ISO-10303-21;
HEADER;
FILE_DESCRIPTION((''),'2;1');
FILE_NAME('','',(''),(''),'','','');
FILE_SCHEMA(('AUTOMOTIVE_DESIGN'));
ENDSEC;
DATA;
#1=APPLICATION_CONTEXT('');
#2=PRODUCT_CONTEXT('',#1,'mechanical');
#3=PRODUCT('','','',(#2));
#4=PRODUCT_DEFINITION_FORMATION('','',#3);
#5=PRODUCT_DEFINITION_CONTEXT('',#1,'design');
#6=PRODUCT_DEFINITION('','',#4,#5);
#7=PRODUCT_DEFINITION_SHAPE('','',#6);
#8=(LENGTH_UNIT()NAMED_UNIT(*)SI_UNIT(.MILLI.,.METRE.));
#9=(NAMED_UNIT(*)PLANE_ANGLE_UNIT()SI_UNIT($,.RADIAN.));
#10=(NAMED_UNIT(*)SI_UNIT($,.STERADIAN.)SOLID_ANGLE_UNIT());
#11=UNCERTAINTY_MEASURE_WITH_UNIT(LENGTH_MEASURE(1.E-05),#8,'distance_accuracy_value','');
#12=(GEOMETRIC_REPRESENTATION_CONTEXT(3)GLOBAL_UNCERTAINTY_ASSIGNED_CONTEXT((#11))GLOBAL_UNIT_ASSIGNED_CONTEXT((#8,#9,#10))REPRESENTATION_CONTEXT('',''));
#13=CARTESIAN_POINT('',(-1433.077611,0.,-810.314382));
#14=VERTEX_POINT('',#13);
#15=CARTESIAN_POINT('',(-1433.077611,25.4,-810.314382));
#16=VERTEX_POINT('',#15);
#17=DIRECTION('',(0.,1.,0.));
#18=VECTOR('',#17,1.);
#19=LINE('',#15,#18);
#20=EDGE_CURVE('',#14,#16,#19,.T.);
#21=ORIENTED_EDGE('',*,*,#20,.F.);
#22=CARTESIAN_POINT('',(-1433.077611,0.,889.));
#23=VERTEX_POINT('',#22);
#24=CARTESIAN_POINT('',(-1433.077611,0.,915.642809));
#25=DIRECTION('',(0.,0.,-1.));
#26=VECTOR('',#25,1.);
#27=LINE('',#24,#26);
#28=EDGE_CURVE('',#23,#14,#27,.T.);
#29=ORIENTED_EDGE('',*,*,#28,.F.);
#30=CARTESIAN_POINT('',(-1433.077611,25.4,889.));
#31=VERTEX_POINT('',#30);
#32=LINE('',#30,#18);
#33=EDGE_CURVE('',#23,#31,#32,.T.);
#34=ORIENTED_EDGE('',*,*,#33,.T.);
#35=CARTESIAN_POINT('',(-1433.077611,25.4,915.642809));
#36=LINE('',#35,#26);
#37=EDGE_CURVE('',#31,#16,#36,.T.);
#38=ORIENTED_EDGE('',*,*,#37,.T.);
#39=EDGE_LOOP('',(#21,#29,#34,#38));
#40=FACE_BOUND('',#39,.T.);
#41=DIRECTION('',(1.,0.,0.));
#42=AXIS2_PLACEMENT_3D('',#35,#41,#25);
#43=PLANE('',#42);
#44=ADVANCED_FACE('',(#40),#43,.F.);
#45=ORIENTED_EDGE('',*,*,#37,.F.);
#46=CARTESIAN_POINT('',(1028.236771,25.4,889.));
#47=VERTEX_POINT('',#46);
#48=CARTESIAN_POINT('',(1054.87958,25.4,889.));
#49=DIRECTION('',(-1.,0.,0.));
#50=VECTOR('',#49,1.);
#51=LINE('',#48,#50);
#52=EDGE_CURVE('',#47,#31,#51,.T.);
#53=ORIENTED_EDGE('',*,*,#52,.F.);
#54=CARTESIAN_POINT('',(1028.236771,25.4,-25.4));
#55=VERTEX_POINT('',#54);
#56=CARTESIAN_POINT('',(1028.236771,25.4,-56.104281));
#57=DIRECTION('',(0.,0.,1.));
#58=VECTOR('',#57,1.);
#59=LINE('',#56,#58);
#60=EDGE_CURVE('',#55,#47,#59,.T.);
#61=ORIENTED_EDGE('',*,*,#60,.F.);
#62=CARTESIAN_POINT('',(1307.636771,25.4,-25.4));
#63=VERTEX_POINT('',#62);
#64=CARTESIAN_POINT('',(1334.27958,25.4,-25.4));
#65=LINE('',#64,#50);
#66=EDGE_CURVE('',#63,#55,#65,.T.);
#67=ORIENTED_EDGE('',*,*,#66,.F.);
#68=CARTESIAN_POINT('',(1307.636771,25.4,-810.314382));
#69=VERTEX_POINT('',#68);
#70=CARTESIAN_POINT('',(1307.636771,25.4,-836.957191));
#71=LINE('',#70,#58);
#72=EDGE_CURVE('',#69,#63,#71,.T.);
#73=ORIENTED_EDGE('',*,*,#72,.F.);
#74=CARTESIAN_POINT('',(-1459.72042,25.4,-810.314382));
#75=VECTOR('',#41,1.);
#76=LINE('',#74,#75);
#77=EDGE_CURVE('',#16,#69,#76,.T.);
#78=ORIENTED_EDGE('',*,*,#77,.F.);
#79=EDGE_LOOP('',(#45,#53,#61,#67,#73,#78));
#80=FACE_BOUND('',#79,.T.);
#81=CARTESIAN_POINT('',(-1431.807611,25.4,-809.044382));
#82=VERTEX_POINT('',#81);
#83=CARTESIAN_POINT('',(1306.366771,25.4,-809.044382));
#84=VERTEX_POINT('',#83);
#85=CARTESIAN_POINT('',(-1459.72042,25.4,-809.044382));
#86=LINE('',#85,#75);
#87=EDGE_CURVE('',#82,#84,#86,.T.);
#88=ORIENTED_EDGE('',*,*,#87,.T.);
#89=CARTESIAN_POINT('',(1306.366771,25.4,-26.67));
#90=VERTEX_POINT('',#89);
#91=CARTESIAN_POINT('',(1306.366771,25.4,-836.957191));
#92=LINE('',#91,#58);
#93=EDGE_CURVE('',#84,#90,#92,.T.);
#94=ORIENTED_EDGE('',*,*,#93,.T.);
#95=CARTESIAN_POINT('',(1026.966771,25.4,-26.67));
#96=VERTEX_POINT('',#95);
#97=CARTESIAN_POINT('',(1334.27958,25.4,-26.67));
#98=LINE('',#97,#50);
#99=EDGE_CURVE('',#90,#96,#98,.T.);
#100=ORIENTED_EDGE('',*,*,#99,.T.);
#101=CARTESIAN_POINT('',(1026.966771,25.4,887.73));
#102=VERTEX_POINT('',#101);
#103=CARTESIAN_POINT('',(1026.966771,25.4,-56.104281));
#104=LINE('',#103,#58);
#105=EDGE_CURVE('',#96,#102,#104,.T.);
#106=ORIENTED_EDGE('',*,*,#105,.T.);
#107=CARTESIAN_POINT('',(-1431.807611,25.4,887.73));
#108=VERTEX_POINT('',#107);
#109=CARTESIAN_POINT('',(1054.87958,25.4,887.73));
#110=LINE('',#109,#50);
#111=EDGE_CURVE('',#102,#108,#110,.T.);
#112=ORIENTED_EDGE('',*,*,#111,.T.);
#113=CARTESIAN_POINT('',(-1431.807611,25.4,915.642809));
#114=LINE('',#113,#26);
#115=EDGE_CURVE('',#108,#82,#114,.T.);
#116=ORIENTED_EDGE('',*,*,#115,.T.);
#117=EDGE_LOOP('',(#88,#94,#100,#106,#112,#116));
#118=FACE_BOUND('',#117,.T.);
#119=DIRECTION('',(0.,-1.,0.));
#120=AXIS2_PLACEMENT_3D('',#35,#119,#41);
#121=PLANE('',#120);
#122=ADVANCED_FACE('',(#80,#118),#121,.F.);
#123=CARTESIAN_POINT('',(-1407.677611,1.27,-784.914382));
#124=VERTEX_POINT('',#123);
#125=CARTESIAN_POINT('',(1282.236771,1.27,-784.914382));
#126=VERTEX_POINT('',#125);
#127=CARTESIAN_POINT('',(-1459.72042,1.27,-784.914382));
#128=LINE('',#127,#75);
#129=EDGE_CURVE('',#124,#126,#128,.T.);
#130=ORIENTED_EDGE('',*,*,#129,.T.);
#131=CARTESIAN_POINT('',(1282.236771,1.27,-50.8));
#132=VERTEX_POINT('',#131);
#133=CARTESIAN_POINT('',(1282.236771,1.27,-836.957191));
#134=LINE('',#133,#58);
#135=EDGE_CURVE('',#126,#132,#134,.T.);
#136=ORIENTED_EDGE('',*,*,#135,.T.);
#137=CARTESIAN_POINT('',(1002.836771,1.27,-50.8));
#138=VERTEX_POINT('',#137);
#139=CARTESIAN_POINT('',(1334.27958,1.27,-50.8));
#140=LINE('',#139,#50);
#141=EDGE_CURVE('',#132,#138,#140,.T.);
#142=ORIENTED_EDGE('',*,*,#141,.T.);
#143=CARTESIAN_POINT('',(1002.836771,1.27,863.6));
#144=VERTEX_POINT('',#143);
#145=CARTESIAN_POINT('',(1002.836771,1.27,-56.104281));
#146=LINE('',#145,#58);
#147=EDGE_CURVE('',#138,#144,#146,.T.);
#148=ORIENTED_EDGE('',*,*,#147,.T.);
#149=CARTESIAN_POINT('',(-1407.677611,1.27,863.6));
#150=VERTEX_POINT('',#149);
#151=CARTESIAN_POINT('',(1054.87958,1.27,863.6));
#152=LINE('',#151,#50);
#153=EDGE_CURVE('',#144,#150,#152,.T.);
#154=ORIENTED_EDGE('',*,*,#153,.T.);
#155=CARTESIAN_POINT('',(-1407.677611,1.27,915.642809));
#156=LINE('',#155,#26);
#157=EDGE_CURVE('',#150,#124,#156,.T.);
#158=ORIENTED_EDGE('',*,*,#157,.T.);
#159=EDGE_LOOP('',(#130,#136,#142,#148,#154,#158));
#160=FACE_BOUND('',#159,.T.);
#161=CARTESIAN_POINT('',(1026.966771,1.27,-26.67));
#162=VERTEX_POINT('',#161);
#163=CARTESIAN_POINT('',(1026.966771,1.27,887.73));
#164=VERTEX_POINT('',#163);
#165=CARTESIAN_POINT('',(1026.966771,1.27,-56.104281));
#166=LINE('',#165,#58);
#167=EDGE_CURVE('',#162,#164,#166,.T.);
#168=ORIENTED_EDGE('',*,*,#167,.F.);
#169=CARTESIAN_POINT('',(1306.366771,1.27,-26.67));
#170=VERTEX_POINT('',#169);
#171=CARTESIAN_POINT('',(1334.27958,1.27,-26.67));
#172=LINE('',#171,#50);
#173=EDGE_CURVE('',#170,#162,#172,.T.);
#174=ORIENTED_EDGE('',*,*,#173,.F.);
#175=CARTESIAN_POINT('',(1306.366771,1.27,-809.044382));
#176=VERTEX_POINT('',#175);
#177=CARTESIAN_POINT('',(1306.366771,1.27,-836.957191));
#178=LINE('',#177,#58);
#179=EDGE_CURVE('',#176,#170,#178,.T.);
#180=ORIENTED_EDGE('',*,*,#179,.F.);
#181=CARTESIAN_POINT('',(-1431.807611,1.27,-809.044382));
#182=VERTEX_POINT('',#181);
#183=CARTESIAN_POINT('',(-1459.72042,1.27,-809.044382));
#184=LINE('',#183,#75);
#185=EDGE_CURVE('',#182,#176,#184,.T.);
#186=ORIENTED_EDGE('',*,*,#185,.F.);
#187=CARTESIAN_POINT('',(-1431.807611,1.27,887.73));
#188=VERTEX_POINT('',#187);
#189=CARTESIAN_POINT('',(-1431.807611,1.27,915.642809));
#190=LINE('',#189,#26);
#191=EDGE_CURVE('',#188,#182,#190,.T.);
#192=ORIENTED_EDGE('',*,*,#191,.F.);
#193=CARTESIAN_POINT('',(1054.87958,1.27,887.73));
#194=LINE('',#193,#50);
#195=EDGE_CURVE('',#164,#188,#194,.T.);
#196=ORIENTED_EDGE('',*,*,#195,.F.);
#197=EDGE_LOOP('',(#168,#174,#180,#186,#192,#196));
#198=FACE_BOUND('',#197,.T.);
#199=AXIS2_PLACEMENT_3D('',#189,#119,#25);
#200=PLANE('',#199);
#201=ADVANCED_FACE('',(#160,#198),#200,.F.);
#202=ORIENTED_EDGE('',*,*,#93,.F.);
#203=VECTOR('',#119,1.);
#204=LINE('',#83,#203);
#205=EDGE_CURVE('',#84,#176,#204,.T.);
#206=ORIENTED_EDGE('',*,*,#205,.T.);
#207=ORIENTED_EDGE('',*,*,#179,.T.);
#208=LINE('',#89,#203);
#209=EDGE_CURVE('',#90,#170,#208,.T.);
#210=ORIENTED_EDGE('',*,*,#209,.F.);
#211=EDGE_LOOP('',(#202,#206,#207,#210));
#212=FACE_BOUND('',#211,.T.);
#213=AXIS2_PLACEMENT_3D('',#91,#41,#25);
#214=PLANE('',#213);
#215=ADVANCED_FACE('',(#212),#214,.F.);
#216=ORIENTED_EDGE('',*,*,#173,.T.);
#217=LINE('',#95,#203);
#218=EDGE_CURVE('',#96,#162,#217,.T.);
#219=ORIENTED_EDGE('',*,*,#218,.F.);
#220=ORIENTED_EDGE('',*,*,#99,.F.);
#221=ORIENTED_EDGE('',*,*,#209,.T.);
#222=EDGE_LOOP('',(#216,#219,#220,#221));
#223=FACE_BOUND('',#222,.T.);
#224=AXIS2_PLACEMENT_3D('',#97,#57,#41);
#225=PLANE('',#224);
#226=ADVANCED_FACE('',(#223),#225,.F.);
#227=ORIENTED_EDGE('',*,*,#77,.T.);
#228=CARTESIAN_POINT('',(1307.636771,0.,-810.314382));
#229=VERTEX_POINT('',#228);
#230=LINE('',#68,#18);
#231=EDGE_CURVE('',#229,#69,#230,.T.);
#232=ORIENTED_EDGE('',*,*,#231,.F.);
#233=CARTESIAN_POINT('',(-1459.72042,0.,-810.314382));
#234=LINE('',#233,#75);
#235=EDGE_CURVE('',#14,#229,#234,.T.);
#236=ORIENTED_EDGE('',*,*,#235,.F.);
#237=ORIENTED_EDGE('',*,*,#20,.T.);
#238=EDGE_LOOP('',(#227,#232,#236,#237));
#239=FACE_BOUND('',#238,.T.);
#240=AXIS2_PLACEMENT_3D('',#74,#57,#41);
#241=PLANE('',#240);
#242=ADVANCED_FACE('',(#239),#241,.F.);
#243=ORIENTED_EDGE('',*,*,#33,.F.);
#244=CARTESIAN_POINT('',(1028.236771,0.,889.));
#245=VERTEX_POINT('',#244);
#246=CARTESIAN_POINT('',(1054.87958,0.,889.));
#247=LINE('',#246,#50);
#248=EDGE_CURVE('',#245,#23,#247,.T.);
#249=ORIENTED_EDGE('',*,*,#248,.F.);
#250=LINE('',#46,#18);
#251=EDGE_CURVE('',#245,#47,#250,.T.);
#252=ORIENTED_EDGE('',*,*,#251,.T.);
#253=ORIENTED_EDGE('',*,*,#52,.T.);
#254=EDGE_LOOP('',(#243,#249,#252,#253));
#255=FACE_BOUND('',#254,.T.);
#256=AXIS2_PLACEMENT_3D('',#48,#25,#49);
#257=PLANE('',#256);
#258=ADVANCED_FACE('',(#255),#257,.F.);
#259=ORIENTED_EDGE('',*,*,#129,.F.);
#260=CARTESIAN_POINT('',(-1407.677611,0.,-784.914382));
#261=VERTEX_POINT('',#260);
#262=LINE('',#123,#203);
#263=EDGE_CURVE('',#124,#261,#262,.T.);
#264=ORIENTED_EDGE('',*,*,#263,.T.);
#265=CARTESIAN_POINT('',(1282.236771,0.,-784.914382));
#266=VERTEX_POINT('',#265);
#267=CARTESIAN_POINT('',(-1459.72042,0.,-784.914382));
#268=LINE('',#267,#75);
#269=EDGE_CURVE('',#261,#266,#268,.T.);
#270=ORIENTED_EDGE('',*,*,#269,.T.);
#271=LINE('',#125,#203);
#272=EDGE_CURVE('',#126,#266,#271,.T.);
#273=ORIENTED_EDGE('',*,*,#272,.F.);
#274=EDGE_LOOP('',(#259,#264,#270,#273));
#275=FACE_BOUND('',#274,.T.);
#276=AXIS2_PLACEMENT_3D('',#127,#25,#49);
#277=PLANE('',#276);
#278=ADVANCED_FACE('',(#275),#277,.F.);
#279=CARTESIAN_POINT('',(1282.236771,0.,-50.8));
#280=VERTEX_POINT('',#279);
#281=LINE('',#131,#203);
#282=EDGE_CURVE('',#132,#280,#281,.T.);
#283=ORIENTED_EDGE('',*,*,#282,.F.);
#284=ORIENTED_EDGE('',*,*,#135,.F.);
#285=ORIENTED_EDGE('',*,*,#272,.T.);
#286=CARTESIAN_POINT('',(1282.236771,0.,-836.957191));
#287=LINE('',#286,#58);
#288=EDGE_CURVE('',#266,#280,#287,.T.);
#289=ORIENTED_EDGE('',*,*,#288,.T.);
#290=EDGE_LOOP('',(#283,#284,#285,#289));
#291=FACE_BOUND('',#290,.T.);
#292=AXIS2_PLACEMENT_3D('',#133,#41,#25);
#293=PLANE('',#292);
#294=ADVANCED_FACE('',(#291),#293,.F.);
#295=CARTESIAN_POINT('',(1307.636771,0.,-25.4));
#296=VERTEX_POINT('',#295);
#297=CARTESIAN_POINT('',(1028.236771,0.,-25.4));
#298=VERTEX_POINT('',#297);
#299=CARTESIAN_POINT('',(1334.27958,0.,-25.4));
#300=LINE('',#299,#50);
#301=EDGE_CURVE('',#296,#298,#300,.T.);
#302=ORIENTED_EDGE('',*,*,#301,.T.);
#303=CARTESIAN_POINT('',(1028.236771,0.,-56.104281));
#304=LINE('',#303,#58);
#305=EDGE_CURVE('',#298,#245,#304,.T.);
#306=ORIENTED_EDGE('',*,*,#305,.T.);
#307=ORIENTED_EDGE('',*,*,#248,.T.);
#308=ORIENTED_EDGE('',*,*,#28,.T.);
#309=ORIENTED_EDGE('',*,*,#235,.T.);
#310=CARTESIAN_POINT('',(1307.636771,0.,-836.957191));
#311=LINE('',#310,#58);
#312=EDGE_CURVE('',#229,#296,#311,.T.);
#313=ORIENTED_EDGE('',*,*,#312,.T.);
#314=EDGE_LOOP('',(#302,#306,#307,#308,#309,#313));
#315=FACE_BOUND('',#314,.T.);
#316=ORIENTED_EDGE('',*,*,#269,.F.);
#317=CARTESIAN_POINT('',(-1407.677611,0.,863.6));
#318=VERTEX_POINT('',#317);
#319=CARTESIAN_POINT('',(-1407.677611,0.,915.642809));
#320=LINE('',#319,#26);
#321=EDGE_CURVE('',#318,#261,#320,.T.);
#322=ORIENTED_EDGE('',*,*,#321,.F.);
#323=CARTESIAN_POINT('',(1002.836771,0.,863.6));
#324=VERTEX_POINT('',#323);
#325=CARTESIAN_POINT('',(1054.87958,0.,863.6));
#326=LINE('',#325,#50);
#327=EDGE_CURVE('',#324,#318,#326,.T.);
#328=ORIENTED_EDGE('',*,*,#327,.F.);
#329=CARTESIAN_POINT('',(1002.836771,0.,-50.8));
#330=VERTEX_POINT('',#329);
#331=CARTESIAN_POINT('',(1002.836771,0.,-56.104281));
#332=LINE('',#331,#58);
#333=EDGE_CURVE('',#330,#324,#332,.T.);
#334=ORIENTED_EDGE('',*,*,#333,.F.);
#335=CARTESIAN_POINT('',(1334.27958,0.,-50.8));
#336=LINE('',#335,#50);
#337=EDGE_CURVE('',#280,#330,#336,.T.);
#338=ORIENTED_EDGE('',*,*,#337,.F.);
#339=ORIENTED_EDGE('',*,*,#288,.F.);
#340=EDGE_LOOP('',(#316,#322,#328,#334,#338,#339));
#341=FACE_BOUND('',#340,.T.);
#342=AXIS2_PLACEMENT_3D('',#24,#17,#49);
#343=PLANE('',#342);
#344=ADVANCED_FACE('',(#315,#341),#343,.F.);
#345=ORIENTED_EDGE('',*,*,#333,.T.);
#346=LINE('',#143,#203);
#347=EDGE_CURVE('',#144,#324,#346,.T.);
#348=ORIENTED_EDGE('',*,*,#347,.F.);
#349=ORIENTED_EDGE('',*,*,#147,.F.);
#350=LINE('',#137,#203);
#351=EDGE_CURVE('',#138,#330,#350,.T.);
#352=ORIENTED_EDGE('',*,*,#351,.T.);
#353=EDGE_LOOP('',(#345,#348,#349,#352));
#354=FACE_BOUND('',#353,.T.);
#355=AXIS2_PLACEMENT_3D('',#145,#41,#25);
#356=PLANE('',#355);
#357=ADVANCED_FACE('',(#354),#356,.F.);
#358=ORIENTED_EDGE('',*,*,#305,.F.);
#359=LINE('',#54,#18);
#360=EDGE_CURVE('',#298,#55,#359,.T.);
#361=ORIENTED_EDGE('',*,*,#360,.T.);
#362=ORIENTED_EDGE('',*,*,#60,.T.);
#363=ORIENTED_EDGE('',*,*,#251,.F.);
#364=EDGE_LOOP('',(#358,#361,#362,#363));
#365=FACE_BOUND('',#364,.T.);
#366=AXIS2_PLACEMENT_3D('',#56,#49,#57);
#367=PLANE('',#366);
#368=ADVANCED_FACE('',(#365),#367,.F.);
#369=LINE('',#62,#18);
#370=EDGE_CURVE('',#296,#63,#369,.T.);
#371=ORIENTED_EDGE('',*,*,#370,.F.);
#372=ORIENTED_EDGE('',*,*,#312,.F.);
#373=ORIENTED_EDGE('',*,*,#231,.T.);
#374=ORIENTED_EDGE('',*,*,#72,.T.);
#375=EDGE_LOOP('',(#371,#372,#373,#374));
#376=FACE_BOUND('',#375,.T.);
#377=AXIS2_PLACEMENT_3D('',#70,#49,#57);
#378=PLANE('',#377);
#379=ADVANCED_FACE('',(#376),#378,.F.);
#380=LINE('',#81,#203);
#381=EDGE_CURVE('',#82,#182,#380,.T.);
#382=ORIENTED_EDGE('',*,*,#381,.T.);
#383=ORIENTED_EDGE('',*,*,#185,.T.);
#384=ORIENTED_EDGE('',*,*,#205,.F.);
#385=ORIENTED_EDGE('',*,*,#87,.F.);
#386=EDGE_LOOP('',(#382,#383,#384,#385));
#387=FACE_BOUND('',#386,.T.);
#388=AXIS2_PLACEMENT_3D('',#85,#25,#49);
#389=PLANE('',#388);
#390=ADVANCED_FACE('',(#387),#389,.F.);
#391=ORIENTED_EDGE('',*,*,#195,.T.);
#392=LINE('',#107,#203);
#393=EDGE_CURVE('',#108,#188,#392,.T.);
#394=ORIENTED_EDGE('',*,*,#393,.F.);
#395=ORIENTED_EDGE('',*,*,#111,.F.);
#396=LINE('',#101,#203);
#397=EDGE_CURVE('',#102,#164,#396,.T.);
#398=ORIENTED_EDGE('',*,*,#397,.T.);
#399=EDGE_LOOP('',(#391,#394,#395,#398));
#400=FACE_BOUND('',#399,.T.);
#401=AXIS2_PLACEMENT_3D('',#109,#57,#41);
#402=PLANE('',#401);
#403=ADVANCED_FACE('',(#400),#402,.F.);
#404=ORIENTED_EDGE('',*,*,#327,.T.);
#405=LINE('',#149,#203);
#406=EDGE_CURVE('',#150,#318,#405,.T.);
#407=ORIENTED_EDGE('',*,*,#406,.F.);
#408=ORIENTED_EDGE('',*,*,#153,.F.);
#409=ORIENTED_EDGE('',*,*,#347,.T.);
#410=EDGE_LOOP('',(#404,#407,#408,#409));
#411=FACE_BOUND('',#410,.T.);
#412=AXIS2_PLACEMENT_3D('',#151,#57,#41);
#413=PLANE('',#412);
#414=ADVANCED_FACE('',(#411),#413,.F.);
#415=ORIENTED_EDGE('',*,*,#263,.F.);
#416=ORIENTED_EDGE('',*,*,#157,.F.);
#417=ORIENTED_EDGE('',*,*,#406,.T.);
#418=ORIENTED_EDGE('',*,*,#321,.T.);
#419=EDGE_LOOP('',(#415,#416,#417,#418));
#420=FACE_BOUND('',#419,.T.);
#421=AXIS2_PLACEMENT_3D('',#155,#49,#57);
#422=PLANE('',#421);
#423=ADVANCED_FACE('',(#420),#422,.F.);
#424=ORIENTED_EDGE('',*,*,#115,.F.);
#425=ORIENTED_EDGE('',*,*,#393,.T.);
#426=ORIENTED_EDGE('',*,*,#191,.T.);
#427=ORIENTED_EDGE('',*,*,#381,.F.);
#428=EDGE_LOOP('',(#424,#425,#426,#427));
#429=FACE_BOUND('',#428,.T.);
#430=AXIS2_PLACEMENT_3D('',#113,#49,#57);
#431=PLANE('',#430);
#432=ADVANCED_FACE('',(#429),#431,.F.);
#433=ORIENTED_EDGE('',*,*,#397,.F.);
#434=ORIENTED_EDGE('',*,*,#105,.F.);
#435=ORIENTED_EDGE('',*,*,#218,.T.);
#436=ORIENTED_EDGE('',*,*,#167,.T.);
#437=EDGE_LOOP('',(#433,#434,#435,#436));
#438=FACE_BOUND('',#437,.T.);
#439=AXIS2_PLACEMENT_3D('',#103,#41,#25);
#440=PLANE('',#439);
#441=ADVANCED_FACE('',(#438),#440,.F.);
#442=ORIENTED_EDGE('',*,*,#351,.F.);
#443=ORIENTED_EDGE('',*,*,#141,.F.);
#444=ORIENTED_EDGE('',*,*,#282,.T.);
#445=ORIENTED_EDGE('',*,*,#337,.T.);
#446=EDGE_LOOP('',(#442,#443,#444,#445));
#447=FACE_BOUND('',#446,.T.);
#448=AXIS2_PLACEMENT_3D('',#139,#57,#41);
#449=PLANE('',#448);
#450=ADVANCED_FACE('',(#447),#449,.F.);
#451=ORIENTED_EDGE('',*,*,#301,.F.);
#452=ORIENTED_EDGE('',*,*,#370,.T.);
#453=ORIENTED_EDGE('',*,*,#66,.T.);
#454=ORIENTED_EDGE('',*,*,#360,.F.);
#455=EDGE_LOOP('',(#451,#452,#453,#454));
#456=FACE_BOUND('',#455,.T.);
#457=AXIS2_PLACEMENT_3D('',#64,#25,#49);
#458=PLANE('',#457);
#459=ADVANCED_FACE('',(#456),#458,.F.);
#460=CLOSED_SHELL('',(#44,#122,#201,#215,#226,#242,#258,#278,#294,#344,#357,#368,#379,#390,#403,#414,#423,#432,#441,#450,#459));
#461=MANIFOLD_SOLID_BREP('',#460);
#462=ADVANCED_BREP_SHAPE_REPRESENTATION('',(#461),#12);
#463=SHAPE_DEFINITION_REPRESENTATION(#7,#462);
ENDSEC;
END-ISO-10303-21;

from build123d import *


with BuildPart() as part:
    # Sweep1: sweep along a path in Sketch1
    with BuildLine(Plane(origin=(0, 0, 0), x_dir=(1, 0, 0), z_dir=(0, 1, 0))) as sweep1_path:
        Line((-1459.720419904, 836.957191151), (1334.279580096, 836.957191151))
        Line((1334.279580096, 836.957191151), (1334.279580096, -1.242808849))
        Line((1334.279580096, -1.242808849), (1054.879580096, -1.242808849))
        Line((1054.879580096, -1.242808849), (1054.879580096, -915.642808849))
        Line((1054.879580096, -915.642808849), (-1459.720419904, -915.642808849))
        Line((-1459.720419904, -915.642808849), (-1459.720419904, 836.957191151))
    # Sketch2 → Sweep1 (sweep)
    with BuildSketch(Plane(origin=(0, 0, 0), x_dir=(0, 0, -1), z_dir=(1, 0, 0))):
        Polygon((-887.73, 25.4), (-887.73, 1.27), (-863.6, 1.27), (-863.6, 0), (-889, 0), (-889, 25.4), align=None)
    sweep(path=sweep1_path.line, transition=Transition.RIGHT)


solid = part.part
